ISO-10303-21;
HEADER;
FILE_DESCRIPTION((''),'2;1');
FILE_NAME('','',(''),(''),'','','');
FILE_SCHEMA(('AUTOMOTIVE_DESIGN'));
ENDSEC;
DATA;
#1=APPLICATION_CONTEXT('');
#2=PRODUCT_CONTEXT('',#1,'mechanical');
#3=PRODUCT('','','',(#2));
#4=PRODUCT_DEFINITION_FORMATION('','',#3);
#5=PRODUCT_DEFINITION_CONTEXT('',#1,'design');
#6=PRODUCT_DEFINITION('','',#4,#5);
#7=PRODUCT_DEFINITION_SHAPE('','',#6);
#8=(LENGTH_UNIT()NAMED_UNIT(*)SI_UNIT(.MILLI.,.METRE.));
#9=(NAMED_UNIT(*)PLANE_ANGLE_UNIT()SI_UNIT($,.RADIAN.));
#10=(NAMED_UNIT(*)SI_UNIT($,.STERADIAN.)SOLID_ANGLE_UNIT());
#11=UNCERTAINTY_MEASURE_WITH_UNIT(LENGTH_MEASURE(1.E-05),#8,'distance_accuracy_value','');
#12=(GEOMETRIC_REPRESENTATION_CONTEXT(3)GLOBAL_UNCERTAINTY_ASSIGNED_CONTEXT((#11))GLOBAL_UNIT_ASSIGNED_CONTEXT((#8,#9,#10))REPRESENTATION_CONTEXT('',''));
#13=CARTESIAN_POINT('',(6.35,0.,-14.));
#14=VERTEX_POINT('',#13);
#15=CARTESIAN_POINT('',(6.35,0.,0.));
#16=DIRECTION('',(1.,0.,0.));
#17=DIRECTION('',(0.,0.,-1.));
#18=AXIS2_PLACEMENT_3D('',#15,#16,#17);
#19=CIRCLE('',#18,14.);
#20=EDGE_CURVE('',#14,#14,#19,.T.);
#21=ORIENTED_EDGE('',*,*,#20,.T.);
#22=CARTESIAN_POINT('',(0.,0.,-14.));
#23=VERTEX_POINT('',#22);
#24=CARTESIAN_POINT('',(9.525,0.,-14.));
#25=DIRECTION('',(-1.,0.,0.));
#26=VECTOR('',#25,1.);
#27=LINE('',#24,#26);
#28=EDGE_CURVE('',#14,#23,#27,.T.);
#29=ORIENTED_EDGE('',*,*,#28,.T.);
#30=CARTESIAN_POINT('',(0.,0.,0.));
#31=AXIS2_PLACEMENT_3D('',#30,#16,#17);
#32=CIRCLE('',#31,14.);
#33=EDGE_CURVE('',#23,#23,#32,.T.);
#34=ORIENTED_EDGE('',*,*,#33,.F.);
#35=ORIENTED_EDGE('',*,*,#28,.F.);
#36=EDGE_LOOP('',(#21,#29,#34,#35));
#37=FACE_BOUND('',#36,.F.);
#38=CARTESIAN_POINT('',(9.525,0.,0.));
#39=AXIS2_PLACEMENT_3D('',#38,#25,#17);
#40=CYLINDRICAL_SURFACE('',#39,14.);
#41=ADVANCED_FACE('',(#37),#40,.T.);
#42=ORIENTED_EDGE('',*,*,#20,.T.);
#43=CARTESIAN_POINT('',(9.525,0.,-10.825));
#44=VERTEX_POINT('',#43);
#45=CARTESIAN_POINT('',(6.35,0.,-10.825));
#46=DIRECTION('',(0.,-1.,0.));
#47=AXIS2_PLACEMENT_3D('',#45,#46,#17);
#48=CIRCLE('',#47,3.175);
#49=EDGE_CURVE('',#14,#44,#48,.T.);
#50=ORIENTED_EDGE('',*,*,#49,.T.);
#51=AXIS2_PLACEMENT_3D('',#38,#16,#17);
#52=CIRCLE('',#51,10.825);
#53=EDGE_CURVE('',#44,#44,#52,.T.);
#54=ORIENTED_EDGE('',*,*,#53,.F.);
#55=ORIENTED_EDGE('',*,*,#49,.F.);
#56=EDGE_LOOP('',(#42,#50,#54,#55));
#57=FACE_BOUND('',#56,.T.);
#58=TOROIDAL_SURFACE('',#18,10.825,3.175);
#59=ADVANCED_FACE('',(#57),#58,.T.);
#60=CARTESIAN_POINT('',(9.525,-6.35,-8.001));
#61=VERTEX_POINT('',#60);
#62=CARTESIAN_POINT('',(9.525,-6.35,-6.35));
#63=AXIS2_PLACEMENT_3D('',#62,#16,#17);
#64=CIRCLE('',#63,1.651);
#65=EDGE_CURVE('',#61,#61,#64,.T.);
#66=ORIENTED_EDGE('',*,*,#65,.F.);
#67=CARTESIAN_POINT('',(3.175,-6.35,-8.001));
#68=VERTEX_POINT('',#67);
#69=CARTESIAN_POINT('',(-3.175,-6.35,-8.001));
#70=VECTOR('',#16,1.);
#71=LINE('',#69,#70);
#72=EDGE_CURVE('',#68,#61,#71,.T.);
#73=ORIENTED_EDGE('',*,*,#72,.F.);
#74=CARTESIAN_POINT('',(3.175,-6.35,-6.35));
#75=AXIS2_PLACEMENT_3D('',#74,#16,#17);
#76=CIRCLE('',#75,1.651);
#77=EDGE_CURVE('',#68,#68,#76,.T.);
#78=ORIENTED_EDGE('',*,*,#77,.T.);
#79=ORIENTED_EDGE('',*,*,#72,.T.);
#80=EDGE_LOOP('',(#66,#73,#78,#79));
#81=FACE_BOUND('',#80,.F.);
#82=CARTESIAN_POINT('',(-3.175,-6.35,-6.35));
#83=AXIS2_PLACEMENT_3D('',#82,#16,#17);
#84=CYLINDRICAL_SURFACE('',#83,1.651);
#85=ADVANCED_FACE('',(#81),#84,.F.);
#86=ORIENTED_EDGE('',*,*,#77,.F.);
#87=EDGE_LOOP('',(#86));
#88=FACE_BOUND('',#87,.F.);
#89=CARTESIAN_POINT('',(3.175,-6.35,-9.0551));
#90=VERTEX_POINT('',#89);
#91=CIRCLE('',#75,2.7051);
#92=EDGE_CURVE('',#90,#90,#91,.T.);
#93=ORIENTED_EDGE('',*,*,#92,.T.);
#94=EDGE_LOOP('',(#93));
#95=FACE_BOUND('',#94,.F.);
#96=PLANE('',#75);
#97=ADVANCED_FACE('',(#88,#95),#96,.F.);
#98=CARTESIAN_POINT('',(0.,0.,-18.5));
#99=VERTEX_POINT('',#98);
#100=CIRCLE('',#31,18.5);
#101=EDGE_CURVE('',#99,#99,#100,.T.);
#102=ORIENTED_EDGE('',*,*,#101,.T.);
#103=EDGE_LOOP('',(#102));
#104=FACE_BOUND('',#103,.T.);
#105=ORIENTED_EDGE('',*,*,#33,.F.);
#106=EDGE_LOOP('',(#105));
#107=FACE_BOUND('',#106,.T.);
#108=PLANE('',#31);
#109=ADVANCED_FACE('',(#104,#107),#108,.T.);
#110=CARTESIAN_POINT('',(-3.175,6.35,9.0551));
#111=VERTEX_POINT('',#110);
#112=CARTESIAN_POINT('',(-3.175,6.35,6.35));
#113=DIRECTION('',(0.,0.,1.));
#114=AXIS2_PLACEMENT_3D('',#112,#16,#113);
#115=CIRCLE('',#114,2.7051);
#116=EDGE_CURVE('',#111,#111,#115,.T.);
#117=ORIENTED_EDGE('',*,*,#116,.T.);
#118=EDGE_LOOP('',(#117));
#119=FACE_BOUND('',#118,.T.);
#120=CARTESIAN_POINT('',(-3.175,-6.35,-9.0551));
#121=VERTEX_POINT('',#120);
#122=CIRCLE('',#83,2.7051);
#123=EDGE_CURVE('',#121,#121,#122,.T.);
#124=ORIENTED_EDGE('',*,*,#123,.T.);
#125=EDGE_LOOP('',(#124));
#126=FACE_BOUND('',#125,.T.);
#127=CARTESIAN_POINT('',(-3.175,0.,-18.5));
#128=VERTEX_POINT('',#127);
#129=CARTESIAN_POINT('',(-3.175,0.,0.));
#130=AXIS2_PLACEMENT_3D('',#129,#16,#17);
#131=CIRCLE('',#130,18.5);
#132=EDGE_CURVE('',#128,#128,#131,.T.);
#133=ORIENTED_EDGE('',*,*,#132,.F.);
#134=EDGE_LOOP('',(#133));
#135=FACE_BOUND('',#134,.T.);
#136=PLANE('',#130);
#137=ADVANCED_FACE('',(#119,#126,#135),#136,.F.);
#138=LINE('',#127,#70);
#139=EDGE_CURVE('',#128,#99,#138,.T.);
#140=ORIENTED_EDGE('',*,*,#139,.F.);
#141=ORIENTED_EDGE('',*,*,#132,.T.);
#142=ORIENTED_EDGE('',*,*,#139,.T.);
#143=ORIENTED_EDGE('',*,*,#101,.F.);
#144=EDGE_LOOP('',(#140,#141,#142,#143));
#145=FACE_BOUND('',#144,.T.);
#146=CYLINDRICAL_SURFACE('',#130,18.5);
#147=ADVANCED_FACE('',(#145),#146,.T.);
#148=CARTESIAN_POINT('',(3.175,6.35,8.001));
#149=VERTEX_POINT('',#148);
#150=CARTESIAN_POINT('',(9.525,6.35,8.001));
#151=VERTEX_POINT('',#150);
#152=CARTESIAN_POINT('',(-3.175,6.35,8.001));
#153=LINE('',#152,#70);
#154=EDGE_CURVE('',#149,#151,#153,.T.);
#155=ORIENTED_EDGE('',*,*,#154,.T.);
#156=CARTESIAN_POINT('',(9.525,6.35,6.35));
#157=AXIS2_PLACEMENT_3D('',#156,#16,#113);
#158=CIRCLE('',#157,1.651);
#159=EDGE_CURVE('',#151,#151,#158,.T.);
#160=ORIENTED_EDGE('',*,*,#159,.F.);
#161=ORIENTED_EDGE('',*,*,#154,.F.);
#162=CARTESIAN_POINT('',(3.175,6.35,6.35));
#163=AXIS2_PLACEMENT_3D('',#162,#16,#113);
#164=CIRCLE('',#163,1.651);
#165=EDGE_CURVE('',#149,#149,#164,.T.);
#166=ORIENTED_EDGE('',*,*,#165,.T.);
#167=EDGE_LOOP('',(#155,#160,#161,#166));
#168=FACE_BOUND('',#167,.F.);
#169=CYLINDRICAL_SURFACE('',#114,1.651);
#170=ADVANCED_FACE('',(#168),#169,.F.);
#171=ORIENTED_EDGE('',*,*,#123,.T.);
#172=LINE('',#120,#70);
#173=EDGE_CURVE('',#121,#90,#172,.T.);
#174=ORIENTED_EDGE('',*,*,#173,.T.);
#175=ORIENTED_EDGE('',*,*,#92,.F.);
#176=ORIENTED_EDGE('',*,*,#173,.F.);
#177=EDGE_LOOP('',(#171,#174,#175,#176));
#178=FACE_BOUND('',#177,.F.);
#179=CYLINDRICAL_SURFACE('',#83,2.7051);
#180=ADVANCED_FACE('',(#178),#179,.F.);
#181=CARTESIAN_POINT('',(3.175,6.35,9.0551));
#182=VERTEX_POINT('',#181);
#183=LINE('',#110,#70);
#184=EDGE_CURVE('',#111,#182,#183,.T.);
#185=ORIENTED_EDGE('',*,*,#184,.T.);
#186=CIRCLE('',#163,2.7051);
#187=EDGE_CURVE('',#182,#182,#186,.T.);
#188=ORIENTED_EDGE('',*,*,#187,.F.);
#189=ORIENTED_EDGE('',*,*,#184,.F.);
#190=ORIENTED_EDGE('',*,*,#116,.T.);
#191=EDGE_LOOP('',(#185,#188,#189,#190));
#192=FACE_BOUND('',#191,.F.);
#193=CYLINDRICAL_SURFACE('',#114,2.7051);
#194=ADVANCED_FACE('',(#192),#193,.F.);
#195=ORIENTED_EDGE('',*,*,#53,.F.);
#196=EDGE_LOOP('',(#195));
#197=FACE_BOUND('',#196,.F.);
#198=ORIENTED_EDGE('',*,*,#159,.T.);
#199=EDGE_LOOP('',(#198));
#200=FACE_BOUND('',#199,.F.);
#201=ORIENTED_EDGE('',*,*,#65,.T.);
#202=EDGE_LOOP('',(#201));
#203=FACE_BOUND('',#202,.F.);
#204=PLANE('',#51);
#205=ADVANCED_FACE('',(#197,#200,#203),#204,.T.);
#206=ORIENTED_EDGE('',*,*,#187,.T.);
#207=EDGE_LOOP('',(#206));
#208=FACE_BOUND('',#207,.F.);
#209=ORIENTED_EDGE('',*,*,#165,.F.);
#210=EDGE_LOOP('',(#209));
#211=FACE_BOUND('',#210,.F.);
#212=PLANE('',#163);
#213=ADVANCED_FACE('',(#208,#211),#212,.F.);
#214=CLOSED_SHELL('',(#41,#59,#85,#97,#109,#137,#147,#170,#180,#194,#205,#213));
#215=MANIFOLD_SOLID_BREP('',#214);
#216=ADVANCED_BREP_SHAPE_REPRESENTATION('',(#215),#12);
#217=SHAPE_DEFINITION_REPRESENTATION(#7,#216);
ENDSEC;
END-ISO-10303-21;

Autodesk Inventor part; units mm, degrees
ref_plane "YZ Plane" through (0, 0, 0) normal (1, 0, 0) x (0, 1, 0)
ref_plane "XZ Plane" through (0, 0, 0) normal (0, 1, 0) x (-1, 0, 0)
ref_plane "XY Plane" through (0, 0, 0) normal (0, 0, 1) x (1, 0, 0)
sketch "Sketch1" plane through (0, 0, 0) normal (0, 1, 0) x (-1, 0, 0)
  line L0 (0, 0) -> (3.175, 0)
  line L1 (3.175, 0) -> (3.175, -18.5)
  line L2 (3.175, -18.5) -> (0, -18.5)
  line L3 (0, -18.5) -> (0, 0)
  line L4 (0, 0) -> (-9.525, 0)
  line L5 (-9.525, 0) -> (-9.525, -14)
  line L6 (-9.525, -14) -> (0, -14)
  line L7 (0, -14) -> (0, 0)
  line L8 (5.715, 0) -> (-12.065, 0) projected
  point P0 (0, -14)
  dimension "d0" = 3.175
  dimension "d1" = 18.5
  dimension "d2" = 9.525
  dimension "d3" = 14
revolve "Revolution1" add sketch "Sketch1" angle 360 about axis through (-10, 0, 0) along (1, 0, 0)
sketch "Sketch2" plane through (-3.175, 0, 0) normal (-1, 0, 0) x (0, 0, 1)
  line L0 (0, 0) -> (6.35, 0)
  line L1 (6.35, 0) -> (6.35, 6.35)
  line L2 (6.35, 6.35) -> (0, 6.35)
  line L3 (0, 6.35) -> (0, 0)
  dimension "d5" = 6.35
  dimension "d6" = 6.35
hole "Hole1" at (-3.175, 6.35, 6.35) direction (1, 0, 0) diameter 5.4102 depth 6.35
hole "Hole2" at (-3.175, 6.35, 6.35) direction (1, 0, 0) diameter 3.302 depth 12.7 tip angle 118
pattern_circular "Circular Pattern1" count 2 over 360 about axis through (-10, 0, 0) along (1, 0, 0) of "Hole1", "Hole2"
fillet "Fillet1" radius 3.175 1 edges at (9.525, 0, 14)
properties part number "GL45 bottle cap insert"
